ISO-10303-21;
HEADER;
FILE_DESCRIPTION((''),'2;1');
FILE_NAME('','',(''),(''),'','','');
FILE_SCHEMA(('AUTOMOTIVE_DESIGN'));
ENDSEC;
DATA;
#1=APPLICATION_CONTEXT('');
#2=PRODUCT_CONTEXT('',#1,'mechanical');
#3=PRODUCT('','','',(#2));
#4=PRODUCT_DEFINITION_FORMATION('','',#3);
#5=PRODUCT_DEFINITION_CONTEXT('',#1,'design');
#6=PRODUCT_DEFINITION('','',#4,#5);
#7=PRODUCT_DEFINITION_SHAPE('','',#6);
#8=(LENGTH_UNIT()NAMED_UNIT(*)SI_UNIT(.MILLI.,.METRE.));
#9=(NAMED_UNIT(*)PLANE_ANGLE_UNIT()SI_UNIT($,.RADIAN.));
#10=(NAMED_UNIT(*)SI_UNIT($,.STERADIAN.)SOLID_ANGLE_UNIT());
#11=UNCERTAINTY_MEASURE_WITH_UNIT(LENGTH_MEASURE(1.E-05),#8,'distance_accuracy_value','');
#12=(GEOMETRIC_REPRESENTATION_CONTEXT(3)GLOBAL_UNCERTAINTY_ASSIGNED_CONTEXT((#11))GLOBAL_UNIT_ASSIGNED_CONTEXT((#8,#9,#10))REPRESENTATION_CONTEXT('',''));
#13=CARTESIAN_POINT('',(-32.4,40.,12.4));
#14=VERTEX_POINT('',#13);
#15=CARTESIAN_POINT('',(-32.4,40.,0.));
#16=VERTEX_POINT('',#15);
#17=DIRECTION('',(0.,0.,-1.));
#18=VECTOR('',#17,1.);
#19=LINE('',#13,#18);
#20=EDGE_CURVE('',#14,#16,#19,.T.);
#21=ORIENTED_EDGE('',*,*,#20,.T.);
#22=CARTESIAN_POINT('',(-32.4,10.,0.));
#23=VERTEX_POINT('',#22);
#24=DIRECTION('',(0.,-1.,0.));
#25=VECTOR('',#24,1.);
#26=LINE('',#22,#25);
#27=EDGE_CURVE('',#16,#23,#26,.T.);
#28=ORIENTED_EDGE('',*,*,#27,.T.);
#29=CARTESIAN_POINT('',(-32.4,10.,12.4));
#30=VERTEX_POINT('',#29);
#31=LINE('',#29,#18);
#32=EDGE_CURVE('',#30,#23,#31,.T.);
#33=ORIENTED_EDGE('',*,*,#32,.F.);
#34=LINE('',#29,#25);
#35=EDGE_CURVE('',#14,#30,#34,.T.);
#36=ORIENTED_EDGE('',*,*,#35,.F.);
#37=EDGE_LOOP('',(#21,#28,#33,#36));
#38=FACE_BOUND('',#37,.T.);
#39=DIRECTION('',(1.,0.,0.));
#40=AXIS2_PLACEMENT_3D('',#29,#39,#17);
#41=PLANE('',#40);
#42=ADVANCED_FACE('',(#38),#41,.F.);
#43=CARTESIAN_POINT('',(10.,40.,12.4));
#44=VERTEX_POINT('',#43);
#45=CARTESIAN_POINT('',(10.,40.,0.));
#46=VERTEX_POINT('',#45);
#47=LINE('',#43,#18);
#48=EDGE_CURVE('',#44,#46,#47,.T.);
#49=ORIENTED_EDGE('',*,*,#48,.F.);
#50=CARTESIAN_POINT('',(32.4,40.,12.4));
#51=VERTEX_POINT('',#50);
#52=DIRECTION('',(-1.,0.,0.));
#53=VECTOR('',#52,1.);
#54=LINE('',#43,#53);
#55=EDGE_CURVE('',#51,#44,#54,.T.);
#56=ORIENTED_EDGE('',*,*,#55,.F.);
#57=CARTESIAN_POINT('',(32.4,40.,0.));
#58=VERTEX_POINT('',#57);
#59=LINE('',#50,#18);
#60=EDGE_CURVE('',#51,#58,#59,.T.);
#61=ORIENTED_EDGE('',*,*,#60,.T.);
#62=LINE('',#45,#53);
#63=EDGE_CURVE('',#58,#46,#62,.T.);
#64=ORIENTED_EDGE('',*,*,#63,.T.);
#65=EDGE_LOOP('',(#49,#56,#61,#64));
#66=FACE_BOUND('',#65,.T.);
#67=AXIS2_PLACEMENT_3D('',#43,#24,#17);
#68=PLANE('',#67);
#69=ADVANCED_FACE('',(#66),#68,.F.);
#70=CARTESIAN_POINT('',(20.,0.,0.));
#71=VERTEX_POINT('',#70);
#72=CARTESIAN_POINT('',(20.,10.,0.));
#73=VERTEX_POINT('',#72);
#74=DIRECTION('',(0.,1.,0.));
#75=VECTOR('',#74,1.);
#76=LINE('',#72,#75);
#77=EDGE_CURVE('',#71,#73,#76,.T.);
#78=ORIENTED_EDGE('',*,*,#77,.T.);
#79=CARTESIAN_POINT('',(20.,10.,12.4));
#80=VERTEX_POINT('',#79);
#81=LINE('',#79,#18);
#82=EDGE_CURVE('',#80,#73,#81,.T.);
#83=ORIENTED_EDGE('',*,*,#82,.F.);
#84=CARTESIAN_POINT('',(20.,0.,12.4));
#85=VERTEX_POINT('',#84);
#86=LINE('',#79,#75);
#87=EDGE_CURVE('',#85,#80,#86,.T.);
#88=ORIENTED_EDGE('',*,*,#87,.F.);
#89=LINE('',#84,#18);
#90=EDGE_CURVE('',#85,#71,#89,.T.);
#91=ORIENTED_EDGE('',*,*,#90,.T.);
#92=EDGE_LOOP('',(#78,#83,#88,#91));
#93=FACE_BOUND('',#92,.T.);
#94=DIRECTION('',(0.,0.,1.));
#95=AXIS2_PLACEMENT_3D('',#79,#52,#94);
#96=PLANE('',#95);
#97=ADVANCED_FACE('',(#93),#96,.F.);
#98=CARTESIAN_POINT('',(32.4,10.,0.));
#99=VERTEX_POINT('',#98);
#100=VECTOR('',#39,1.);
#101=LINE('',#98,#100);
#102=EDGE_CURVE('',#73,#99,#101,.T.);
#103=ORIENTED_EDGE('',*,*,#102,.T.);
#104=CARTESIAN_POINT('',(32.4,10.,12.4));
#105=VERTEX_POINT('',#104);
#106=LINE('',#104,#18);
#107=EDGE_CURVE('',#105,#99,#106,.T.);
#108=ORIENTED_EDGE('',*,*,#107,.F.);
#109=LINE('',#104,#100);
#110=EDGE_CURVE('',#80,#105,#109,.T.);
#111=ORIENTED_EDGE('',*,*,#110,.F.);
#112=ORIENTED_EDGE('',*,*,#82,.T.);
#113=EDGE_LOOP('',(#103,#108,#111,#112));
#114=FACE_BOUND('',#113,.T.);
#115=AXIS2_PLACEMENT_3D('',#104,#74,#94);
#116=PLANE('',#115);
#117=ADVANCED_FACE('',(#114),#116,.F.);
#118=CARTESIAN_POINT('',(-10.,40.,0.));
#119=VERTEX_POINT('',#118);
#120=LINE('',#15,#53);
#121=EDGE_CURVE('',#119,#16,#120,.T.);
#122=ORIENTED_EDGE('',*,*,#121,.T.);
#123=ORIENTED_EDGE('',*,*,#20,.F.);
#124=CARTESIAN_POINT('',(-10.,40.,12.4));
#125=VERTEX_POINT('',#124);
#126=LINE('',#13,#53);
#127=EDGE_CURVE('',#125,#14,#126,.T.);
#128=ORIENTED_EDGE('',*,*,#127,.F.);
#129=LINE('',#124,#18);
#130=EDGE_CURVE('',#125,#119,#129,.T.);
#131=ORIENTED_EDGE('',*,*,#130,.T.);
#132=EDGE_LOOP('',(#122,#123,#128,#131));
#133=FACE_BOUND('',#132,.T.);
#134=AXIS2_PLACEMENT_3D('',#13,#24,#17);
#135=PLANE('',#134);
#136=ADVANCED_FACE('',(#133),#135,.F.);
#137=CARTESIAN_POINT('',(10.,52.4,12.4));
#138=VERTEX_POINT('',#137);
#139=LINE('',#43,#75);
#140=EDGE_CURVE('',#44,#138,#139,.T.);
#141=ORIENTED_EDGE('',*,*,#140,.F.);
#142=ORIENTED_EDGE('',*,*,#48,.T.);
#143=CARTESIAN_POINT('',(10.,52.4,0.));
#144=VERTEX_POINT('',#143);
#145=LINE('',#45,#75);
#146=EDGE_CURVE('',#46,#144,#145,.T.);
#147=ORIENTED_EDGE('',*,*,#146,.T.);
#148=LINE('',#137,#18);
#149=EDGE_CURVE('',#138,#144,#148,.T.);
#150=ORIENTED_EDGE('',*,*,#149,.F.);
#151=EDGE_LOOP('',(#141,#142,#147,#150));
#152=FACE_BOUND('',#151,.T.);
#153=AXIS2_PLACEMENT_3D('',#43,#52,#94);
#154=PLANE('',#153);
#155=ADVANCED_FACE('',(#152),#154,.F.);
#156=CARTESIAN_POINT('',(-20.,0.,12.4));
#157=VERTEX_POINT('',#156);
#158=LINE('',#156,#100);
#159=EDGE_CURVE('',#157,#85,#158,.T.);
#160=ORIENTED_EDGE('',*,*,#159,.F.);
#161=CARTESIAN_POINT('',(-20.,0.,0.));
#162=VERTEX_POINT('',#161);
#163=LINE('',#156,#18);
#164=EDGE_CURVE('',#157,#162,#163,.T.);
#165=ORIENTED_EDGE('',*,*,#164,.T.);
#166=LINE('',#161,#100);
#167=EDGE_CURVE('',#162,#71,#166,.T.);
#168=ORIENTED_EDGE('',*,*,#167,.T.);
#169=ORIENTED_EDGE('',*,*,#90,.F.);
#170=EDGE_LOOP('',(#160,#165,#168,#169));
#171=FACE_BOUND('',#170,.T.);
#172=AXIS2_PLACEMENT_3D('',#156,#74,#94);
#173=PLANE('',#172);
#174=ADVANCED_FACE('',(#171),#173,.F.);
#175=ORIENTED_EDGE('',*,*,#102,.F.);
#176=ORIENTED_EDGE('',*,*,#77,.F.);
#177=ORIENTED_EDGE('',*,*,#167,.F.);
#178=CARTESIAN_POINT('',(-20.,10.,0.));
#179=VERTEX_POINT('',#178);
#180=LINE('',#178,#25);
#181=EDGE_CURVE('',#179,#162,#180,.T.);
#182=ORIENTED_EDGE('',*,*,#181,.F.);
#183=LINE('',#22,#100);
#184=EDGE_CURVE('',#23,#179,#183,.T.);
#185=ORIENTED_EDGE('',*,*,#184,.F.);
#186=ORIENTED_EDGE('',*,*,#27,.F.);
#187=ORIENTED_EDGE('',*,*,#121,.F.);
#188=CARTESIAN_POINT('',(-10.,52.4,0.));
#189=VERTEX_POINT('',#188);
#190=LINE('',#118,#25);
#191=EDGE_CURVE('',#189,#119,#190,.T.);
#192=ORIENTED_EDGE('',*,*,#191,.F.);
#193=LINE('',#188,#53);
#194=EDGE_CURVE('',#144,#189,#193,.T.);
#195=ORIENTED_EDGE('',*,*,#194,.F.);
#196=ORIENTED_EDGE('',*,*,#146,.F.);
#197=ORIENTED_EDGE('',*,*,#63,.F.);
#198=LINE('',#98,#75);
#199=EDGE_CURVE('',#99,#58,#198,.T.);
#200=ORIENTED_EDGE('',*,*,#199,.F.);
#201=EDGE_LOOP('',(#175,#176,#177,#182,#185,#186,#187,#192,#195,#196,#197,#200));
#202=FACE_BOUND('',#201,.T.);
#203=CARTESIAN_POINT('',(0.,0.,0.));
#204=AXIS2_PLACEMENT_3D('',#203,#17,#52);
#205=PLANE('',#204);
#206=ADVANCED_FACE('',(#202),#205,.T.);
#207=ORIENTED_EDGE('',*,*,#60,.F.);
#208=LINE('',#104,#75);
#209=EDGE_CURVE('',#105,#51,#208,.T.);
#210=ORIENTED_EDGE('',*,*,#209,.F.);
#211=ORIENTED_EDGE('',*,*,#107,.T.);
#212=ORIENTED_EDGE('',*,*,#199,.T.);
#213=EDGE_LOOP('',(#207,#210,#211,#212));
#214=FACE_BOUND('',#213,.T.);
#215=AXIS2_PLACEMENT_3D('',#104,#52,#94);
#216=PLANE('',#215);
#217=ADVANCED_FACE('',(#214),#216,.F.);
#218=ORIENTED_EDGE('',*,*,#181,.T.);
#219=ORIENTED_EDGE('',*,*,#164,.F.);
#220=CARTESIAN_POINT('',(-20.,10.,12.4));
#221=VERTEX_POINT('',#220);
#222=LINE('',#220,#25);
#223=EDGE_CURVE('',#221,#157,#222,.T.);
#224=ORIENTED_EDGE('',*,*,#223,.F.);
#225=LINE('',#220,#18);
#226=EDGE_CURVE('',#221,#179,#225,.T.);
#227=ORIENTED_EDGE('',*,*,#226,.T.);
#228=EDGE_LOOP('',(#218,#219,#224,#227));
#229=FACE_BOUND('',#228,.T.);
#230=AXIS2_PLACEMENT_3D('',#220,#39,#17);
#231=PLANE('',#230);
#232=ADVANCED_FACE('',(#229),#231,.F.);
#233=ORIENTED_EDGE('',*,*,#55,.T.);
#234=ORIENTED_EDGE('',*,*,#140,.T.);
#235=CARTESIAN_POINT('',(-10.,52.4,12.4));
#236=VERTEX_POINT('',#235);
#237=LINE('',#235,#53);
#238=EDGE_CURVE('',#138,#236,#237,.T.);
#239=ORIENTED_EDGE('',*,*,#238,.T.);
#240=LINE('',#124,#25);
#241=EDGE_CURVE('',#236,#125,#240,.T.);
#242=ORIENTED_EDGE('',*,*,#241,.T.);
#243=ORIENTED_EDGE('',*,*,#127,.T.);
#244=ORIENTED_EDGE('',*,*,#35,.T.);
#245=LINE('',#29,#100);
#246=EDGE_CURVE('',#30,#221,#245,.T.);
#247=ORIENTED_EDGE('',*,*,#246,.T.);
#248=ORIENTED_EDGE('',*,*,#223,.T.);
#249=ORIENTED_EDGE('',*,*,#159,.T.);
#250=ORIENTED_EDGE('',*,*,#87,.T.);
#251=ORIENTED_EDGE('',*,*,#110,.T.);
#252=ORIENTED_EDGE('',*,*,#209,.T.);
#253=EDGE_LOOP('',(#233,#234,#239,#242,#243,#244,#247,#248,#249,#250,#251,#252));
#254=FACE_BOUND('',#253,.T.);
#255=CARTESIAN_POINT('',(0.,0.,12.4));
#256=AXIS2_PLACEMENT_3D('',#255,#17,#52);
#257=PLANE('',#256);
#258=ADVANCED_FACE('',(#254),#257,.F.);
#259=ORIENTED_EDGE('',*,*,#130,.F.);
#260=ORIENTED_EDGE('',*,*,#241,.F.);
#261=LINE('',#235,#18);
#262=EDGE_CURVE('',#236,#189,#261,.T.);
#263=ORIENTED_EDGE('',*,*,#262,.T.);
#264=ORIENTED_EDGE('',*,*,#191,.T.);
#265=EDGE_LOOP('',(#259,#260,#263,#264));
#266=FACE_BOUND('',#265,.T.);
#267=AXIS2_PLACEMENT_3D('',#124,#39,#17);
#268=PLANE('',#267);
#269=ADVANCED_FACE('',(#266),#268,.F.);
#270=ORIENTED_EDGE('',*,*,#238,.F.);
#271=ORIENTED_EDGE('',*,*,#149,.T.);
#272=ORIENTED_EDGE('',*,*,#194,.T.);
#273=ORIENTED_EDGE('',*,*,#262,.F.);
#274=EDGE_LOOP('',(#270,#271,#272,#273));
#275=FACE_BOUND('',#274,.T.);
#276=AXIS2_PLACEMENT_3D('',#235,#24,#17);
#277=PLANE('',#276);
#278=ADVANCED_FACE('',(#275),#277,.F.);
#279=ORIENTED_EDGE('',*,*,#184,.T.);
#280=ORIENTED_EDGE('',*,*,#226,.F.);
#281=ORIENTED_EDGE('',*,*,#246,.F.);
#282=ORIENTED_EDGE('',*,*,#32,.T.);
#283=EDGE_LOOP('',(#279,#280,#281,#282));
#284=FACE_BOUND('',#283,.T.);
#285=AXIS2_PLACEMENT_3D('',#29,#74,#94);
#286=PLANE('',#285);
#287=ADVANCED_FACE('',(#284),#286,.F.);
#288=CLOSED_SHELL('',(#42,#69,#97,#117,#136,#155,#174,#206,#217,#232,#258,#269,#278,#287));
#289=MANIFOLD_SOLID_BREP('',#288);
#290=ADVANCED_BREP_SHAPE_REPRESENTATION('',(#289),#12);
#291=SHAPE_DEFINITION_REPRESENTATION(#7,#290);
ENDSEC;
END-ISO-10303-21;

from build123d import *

# Parameters (mm, degrees)
BOSS_EXTRUDE1_DEPTH = 12.4


with BuildPart() as part:
    # Model → Boss-Extrude1 (new body)
    with BuildSketch(Plane.XY):
        Polygon((10, 40), (32.4, 40), (32.4, 10), (20, 10), (20, 0), (-20, 0), (-20, 10), (-32.4, 10), (-32.4, 40), (-10, 40), (-10, 52.4), (10, 52.4), align=None)
    extrude(amount=BOSS_EXTRUDE1_DEPTH)


solid = part.part
